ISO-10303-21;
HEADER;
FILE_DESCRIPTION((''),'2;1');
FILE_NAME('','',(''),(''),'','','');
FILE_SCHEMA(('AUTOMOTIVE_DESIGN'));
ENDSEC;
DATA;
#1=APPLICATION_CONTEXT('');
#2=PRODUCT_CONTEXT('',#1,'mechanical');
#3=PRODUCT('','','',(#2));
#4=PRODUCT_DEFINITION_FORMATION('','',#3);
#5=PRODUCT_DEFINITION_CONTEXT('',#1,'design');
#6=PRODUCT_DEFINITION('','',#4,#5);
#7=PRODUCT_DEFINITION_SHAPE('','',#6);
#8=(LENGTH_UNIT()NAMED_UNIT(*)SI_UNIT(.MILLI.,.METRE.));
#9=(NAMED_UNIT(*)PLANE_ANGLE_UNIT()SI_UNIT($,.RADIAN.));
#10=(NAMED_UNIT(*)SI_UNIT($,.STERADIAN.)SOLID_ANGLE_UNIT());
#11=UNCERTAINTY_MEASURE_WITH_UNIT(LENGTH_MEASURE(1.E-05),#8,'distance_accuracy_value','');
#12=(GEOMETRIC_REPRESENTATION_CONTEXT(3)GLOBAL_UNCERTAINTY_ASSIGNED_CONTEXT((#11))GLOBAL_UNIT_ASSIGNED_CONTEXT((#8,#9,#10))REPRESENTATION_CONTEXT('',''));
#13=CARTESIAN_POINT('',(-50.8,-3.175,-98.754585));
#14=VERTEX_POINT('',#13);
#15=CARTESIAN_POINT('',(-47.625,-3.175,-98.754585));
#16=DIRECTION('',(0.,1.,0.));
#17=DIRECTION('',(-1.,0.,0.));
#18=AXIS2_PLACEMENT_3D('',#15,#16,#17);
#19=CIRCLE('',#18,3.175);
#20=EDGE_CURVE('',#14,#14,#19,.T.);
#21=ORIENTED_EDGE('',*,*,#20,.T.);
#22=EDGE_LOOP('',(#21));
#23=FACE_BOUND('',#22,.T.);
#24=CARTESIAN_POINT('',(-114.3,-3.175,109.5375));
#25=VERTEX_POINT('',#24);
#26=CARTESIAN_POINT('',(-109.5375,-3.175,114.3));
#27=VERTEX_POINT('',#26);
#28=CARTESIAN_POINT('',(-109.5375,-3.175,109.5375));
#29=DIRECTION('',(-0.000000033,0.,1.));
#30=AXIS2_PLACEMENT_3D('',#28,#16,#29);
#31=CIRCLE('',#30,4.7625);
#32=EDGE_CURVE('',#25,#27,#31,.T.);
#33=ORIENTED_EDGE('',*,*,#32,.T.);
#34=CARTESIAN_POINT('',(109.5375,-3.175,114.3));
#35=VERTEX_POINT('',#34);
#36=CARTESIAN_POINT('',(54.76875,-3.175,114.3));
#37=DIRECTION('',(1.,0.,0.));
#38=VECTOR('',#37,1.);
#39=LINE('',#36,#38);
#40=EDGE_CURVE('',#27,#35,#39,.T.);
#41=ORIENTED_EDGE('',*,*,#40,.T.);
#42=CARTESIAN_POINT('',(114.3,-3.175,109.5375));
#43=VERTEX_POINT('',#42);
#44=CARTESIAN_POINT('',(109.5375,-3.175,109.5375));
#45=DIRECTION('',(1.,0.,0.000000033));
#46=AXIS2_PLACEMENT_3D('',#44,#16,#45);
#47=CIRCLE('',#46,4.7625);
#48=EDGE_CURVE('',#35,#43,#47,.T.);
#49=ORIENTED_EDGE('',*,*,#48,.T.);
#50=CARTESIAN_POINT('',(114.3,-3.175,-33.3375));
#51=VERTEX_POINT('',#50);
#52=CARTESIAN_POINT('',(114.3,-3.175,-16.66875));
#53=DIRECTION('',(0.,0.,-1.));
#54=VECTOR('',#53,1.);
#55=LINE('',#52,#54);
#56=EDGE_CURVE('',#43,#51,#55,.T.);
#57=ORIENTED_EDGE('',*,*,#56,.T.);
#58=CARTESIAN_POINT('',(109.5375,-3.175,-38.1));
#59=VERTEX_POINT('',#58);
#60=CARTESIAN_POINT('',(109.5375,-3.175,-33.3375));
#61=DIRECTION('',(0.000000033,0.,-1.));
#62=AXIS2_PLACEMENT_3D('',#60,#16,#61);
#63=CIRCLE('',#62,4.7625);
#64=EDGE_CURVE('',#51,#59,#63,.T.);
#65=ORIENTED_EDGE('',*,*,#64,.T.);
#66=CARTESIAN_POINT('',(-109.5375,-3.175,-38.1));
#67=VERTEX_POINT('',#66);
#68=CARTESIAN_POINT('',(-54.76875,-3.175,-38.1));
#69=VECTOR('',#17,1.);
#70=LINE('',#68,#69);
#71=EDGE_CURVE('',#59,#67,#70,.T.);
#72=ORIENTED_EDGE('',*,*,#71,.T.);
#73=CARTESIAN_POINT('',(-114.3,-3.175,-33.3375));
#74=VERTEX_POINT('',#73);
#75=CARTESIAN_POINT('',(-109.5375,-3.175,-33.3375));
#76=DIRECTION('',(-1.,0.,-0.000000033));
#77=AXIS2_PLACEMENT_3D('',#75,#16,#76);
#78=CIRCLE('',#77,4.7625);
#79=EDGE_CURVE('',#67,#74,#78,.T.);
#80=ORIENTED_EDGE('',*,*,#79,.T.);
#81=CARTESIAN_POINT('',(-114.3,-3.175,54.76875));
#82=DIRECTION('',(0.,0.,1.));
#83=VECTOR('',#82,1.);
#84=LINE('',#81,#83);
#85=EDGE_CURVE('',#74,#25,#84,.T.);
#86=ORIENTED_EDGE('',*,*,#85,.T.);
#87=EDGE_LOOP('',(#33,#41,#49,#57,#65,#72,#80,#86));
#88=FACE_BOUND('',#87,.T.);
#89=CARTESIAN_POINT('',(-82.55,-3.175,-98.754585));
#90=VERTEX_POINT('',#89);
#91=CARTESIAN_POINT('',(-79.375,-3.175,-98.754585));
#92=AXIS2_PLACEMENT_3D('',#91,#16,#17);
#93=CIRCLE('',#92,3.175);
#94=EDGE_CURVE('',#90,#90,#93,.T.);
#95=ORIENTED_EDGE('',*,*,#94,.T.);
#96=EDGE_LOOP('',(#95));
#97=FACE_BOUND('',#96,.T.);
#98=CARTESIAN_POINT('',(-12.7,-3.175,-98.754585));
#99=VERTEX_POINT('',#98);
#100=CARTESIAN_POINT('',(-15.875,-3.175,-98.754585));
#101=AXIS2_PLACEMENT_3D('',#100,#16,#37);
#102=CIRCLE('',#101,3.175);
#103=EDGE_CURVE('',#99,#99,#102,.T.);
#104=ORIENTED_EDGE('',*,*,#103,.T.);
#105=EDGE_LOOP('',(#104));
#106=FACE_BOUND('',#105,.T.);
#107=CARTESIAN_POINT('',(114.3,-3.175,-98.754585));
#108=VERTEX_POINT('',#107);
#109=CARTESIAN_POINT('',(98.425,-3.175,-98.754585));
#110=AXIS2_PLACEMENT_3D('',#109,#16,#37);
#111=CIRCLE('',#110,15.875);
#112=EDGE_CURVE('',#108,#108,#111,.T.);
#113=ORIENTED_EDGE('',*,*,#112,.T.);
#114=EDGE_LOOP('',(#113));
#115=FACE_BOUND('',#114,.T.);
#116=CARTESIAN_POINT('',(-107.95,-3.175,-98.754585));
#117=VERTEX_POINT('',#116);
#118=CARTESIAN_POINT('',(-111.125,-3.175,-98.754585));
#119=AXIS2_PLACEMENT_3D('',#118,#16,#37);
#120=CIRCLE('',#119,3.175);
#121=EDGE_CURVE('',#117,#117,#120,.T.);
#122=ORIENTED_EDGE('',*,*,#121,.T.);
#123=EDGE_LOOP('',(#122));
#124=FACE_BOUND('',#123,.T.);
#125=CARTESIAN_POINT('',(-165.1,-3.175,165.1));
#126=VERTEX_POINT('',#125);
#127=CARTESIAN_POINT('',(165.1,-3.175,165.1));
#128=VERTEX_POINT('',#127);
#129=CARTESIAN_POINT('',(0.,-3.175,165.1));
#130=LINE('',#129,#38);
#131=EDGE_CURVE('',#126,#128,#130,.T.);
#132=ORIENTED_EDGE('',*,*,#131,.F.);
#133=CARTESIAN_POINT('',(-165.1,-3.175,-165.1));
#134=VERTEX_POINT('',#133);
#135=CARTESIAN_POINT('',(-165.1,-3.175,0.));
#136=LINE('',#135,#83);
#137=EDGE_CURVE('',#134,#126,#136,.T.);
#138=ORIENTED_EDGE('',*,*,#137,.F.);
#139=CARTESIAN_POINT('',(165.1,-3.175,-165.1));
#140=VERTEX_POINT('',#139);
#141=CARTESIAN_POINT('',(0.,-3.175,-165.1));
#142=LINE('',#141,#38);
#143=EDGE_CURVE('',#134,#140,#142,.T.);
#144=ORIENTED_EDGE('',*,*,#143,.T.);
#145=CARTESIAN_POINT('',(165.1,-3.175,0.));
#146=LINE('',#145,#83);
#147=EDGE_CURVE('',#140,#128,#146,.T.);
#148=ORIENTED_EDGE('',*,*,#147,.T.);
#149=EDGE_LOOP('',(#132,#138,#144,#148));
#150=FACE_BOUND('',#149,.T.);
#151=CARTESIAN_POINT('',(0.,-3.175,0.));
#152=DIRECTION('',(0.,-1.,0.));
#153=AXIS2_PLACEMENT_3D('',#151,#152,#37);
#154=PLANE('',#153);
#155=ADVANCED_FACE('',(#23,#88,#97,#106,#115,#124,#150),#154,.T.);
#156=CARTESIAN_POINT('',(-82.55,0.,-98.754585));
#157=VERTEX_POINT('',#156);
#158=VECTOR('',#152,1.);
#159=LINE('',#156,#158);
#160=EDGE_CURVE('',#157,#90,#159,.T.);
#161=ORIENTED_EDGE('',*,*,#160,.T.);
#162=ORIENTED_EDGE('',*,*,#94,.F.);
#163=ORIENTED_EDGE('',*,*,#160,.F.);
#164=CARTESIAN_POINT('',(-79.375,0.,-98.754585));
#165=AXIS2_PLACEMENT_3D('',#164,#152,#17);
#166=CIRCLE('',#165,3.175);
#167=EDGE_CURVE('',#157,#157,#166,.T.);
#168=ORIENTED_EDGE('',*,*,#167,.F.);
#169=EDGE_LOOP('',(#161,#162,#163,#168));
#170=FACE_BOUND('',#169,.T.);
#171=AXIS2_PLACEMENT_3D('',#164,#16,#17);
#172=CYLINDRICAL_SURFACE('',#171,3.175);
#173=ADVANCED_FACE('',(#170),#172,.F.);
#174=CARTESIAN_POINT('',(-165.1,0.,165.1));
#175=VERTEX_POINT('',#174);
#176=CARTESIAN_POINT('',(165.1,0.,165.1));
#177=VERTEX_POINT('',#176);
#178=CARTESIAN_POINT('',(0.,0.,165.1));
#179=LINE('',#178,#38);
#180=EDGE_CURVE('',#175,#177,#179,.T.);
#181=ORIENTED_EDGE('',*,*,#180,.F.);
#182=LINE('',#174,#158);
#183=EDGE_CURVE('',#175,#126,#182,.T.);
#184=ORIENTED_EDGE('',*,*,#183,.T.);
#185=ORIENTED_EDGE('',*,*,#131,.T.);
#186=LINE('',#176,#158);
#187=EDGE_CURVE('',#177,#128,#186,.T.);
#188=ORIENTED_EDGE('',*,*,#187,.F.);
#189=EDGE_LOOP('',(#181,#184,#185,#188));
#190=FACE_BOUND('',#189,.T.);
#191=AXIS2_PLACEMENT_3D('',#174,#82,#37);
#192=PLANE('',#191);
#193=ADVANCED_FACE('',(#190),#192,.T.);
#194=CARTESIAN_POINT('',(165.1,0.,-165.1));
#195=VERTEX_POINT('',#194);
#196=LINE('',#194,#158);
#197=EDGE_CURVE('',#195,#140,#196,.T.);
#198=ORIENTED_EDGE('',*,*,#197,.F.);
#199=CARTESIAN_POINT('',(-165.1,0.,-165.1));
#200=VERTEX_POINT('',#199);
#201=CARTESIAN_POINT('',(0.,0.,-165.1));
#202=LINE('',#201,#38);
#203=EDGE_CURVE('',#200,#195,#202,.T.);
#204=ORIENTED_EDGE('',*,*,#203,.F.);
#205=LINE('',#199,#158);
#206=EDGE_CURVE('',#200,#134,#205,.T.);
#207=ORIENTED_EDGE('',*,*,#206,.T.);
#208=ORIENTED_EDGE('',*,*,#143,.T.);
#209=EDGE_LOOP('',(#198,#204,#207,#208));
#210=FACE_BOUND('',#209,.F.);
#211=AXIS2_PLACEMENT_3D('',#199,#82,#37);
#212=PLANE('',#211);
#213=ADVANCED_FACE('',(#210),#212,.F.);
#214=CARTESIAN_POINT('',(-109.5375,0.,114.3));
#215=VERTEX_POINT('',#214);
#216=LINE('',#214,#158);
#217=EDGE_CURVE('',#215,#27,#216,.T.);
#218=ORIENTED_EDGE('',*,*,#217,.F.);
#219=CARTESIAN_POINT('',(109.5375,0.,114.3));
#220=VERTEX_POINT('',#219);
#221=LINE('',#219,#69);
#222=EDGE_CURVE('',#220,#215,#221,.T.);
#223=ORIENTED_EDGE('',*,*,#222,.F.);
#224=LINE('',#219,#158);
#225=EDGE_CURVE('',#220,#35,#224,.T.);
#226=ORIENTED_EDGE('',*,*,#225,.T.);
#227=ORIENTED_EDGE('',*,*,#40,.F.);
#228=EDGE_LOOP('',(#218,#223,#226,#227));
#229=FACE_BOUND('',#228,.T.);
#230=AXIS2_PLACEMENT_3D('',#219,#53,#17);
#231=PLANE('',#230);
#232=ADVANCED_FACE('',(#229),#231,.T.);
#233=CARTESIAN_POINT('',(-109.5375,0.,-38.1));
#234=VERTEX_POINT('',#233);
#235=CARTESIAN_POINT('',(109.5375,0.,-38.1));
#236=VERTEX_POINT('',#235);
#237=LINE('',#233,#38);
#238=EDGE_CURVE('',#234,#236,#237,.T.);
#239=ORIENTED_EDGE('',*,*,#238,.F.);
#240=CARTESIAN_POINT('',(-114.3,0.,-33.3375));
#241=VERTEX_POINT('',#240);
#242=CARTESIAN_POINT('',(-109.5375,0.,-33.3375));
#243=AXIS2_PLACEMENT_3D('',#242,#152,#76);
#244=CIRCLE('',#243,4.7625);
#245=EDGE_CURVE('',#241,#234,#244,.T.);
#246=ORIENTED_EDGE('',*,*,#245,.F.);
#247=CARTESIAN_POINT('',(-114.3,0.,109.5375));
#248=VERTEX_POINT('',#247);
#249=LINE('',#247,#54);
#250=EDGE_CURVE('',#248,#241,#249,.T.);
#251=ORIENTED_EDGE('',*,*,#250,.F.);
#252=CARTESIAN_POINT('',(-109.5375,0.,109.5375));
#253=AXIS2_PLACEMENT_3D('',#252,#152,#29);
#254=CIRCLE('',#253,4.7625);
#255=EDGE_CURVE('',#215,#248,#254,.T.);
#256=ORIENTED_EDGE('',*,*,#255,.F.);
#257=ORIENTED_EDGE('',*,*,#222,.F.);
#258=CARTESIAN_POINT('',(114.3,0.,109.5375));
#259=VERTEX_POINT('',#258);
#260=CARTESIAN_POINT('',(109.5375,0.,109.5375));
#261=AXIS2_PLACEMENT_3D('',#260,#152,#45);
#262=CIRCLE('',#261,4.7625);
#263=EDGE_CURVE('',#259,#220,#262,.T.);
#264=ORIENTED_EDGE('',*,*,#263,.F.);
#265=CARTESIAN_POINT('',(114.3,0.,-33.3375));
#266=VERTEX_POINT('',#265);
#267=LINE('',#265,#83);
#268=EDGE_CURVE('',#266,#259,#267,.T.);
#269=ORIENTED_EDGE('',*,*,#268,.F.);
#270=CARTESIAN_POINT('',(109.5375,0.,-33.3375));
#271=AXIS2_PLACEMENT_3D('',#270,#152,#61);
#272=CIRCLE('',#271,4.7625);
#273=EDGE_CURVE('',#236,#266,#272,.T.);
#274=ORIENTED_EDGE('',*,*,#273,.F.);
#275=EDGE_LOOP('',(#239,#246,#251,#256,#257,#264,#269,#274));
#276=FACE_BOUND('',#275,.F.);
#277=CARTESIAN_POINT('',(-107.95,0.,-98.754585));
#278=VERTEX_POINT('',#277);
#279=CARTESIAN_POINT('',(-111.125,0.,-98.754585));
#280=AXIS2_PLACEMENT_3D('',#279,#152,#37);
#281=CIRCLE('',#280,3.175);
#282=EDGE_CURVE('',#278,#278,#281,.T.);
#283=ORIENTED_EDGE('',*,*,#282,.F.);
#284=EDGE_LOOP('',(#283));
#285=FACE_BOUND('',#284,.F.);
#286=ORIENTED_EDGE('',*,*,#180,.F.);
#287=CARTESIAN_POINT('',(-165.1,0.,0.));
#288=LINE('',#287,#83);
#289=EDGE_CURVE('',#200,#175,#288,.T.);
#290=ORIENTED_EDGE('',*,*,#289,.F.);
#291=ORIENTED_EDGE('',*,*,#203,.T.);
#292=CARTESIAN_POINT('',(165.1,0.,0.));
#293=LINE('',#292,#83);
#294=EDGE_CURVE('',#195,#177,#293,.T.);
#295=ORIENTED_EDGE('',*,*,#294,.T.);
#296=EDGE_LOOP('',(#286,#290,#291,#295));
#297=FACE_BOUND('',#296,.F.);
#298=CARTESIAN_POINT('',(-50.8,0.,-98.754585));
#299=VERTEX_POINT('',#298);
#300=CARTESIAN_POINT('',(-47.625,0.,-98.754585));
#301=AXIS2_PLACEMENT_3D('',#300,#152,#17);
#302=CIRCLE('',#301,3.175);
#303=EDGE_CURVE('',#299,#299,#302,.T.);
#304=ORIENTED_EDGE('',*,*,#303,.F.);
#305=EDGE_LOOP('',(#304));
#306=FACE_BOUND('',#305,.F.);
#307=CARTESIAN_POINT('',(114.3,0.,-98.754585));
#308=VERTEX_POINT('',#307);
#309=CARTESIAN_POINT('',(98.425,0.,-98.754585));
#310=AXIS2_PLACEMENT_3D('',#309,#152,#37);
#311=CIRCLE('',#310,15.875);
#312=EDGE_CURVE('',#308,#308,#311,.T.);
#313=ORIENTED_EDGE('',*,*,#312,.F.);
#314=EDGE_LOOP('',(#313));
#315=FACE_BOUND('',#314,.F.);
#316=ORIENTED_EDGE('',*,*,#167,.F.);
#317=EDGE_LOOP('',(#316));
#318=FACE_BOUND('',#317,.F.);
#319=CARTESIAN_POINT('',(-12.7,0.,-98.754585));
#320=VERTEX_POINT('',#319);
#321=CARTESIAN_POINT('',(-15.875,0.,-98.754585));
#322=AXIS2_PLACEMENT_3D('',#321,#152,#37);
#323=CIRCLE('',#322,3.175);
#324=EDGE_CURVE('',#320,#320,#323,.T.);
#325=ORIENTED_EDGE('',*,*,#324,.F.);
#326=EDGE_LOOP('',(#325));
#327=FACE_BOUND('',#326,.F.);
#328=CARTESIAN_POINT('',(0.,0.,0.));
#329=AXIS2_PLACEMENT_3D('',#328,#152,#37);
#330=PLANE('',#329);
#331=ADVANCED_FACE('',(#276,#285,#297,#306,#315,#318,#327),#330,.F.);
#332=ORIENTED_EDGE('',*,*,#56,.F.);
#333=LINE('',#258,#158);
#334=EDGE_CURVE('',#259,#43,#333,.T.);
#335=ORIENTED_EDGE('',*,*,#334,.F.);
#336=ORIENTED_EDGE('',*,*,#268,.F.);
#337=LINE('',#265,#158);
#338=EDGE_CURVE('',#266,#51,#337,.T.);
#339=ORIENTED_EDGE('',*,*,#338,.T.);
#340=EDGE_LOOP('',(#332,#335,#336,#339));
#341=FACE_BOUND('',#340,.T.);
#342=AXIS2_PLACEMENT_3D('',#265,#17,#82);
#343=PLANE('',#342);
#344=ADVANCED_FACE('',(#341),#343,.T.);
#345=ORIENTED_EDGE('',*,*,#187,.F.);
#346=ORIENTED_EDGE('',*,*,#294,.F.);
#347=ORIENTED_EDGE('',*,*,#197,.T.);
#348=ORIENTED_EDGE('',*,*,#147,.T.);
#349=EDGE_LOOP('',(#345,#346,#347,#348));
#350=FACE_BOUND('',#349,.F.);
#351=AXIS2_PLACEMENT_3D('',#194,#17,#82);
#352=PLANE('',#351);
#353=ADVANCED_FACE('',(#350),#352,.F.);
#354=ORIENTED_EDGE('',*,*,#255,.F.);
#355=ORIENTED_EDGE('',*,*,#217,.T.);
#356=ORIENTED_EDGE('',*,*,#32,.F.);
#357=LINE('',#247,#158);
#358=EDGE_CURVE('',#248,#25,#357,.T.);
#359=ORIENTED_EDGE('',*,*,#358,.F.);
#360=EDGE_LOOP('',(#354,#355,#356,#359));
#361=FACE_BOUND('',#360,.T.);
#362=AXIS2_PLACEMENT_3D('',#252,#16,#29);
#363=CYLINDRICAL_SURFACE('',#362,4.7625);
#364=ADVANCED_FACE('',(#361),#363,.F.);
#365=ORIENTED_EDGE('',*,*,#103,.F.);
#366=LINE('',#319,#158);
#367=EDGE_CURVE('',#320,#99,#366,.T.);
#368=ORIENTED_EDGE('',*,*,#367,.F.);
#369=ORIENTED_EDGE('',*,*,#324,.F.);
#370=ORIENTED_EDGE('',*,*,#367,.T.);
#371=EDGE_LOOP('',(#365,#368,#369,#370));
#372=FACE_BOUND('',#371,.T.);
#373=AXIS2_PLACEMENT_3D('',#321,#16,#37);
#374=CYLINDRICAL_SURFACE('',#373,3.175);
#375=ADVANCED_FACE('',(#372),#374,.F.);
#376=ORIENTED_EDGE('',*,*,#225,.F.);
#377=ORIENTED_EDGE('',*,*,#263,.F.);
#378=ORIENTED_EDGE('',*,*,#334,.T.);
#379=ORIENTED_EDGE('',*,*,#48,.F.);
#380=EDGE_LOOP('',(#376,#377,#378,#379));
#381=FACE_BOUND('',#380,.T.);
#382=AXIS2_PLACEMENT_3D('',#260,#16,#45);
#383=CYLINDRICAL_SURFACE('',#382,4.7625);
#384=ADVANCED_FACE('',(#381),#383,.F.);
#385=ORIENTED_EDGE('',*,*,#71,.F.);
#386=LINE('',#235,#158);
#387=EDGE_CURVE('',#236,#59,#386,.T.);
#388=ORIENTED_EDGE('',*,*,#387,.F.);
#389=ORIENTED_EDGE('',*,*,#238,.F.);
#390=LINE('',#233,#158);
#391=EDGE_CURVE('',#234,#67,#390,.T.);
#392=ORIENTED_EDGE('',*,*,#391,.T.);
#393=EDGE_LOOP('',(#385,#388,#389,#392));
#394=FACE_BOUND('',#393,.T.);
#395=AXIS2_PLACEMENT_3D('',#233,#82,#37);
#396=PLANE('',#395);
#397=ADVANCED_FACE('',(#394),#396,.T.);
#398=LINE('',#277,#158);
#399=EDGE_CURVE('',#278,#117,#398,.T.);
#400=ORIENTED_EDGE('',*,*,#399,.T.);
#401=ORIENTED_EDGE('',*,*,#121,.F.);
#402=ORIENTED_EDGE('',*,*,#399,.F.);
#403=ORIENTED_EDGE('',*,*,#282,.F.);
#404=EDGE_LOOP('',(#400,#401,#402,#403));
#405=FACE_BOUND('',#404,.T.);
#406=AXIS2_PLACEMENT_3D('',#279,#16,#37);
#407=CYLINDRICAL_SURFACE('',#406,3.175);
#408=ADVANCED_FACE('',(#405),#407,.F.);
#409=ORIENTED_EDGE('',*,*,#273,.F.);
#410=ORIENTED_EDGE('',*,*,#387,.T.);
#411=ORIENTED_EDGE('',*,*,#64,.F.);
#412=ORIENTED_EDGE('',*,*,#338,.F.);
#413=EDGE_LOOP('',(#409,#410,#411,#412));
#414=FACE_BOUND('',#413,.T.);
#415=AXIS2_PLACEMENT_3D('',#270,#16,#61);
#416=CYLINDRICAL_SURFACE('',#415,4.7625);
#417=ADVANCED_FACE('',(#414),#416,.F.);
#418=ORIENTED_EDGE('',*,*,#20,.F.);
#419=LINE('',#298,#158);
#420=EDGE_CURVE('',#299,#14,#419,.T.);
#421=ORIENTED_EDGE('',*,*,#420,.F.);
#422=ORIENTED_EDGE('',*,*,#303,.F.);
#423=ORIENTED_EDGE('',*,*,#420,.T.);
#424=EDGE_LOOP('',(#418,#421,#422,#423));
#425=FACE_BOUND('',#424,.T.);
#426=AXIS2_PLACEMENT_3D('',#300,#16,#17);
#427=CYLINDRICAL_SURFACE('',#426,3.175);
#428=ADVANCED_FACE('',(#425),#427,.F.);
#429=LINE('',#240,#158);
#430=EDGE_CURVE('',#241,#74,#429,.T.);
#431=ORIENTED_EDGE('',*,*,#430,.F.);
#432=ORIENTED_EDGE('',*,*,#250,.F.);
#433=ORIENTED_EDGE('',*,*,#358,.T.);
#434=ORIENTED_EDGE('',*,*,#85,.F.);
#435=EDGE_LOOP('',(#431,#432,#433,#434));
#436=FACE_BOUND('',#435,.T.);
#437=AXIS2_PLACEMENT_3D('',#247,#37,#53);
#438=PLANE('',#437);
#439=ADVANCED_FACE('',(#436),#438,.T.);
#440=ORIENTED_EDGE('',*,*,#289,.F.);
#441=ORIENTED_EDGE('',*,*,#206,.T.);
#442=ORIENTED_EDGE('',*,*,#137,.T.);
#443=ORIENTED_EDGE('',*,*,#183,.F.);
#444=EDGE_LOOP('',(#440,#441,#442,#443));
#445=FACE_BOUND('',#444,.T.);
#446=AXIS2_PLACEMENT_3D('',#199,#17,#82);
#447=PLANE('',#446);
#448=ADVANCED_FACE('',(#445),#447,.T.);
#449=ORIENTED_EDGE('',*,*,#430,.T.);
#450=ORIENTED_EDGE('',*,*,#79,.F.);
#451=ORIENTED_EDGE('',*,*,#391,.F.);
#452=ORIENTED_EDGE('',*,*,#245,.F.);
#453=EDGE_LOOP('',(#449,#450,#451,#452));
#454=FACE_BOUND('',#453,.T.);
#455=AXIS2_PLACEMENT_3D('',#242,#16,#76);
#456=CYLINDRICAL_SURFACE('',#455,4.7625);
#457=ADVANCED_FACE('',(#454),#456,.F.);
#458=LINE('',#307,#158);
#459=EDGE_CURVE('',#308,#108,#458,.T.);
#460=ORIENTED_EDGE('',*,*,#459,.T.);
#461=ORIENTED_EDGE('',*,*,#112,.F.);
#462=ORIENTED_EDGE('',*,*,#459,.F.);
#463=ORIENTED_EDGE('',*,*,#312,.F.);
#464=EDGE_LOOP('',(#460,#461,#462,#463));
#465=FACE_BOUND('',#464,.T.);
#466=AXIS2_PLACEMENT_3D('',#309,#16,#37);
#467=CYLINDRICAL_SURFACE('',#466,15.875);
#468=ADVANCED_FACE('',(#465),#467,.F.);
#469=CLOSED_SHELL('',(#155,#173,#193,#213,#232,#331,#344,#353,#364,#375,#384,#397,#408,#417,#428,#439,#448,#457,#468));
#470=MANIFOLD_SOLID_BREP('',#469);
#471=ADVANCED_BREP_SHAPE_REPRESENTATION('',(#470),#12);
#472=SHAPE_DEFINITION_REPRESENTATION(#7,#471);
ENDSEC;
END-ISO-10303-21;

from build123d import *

# Parameters (mm, degrees)
F0_W     = 330.2
F0_H     = 330.2
F3_DEPTH = 3.175
F4_DEPTH = 25.4


with BuildPart() as f3:
    # F0 (on Front) → F3 (new body)
    with BuildSketch(Plane.XZ):
        Rectangle(F0_W, F0_H)
    extrude(amount=F3_DEPTH)

    # F1 (on face) + F2 (on face) → F4 (cut)
    with BuildSketch(Plane.XZ):
        with BuildLine():
            ThreePointArc((-114.3, -33.3375), (-112.905096, -36.705096), (-109.5375, -38.1))
            Line((-109.5375, -38.1), (109.5375, -38.1))
            ThreePointArc((109.5375, -38.1), (112.905096, -36.705096), (114.3, -33.3375))
            Line((114.3, -33.3375), (114.3, 109.5375))
            ThreePointArc((114.3, 109.5375), (112.905096, 112.905096), (109.5375, 114.3))
            Line((109.5375, 114.3), (-109.5375, 114.3))
            ThreePointArc((-109.5375, 114.3), (-112.905096, 112.905096), (-114.3, 109.5375))
            Line((-114.3, 109.5375), (-114.3, -33.3375))
        make_face()
    with BuildSketch(Plane.XZ):
        with BuildLine():
            ThreePointArc((82.55, -98.754585), (98.425, -114.629585), (114.3, -98.754585))
            ThreePointArc((114.3, -98.754585), (98.425, -82.879585), (82.55, -98.754585))
        make_face()
        with BuildLine():
            ThreePointArc((-19.05, -98.754585), (-15.875, -101.929585), (-12.7, -98.754585))
            Line((-12.7, -98.754585), (-19.05, -98.754585))
        make_face()
        with BuildLine():
            Line((-19.05, -98.754585), (-12.7, -98.754585))
            ThreePointArc((-12.7, -98.754585), (-15.875, -95.579585), (-19.05, -98.754585))
        make_face()
        with BuildLine():
            Line((-50.8, -98.754585), (-44.45, -98.754585))
            ThreePointArc((-44.45, -98.754585), (-47.625, -95.579585), (-50.8, -98.754585))
        make_face()
        with BuildLine():
            ThreePointArc((-50.8, -98.754585), (-47.625, -101.929585), (-44.45, -98.754585))
            Line((-44.45, -98.754585), (-50.8, -98.754585))
        make_face()
        with BuildLine():
            Line((-82.55, -98.754585), (-76.2, -98.754585))
            ThreePointArc((-76.2, -98.754585), (-79.375, -95.579585), (-82.55, -98.754585))
        make_face()
        with BuildLine():
            ThreePointArc((-82.55, -98.754585), (-79.375, -101.929585), (-76.2, -98.754585))
            Line((-76.2, -98.754585), (-82.55, -98.754585))
        make_face()
        with BuildLine():
            ThreePointArc((-114.3, -98.754585), (-111.125, -101.929585), (-107.95, -98.754585))
            Line((-107.95, -98.754585), (-114.3, -98.754585))
        make_face()
        with BuildLine():
            Line((-114.3, -98.754585), (-107.95, -98.754585))
            ThreePointArc((-107.95, -98.754585), (-111.125, -95.579585), (-114.3, -98.754585))
        make_face()
    extrude(amount=F4_DEPTH, mode=Mode.SUBTRACT)


solid = f3.part
